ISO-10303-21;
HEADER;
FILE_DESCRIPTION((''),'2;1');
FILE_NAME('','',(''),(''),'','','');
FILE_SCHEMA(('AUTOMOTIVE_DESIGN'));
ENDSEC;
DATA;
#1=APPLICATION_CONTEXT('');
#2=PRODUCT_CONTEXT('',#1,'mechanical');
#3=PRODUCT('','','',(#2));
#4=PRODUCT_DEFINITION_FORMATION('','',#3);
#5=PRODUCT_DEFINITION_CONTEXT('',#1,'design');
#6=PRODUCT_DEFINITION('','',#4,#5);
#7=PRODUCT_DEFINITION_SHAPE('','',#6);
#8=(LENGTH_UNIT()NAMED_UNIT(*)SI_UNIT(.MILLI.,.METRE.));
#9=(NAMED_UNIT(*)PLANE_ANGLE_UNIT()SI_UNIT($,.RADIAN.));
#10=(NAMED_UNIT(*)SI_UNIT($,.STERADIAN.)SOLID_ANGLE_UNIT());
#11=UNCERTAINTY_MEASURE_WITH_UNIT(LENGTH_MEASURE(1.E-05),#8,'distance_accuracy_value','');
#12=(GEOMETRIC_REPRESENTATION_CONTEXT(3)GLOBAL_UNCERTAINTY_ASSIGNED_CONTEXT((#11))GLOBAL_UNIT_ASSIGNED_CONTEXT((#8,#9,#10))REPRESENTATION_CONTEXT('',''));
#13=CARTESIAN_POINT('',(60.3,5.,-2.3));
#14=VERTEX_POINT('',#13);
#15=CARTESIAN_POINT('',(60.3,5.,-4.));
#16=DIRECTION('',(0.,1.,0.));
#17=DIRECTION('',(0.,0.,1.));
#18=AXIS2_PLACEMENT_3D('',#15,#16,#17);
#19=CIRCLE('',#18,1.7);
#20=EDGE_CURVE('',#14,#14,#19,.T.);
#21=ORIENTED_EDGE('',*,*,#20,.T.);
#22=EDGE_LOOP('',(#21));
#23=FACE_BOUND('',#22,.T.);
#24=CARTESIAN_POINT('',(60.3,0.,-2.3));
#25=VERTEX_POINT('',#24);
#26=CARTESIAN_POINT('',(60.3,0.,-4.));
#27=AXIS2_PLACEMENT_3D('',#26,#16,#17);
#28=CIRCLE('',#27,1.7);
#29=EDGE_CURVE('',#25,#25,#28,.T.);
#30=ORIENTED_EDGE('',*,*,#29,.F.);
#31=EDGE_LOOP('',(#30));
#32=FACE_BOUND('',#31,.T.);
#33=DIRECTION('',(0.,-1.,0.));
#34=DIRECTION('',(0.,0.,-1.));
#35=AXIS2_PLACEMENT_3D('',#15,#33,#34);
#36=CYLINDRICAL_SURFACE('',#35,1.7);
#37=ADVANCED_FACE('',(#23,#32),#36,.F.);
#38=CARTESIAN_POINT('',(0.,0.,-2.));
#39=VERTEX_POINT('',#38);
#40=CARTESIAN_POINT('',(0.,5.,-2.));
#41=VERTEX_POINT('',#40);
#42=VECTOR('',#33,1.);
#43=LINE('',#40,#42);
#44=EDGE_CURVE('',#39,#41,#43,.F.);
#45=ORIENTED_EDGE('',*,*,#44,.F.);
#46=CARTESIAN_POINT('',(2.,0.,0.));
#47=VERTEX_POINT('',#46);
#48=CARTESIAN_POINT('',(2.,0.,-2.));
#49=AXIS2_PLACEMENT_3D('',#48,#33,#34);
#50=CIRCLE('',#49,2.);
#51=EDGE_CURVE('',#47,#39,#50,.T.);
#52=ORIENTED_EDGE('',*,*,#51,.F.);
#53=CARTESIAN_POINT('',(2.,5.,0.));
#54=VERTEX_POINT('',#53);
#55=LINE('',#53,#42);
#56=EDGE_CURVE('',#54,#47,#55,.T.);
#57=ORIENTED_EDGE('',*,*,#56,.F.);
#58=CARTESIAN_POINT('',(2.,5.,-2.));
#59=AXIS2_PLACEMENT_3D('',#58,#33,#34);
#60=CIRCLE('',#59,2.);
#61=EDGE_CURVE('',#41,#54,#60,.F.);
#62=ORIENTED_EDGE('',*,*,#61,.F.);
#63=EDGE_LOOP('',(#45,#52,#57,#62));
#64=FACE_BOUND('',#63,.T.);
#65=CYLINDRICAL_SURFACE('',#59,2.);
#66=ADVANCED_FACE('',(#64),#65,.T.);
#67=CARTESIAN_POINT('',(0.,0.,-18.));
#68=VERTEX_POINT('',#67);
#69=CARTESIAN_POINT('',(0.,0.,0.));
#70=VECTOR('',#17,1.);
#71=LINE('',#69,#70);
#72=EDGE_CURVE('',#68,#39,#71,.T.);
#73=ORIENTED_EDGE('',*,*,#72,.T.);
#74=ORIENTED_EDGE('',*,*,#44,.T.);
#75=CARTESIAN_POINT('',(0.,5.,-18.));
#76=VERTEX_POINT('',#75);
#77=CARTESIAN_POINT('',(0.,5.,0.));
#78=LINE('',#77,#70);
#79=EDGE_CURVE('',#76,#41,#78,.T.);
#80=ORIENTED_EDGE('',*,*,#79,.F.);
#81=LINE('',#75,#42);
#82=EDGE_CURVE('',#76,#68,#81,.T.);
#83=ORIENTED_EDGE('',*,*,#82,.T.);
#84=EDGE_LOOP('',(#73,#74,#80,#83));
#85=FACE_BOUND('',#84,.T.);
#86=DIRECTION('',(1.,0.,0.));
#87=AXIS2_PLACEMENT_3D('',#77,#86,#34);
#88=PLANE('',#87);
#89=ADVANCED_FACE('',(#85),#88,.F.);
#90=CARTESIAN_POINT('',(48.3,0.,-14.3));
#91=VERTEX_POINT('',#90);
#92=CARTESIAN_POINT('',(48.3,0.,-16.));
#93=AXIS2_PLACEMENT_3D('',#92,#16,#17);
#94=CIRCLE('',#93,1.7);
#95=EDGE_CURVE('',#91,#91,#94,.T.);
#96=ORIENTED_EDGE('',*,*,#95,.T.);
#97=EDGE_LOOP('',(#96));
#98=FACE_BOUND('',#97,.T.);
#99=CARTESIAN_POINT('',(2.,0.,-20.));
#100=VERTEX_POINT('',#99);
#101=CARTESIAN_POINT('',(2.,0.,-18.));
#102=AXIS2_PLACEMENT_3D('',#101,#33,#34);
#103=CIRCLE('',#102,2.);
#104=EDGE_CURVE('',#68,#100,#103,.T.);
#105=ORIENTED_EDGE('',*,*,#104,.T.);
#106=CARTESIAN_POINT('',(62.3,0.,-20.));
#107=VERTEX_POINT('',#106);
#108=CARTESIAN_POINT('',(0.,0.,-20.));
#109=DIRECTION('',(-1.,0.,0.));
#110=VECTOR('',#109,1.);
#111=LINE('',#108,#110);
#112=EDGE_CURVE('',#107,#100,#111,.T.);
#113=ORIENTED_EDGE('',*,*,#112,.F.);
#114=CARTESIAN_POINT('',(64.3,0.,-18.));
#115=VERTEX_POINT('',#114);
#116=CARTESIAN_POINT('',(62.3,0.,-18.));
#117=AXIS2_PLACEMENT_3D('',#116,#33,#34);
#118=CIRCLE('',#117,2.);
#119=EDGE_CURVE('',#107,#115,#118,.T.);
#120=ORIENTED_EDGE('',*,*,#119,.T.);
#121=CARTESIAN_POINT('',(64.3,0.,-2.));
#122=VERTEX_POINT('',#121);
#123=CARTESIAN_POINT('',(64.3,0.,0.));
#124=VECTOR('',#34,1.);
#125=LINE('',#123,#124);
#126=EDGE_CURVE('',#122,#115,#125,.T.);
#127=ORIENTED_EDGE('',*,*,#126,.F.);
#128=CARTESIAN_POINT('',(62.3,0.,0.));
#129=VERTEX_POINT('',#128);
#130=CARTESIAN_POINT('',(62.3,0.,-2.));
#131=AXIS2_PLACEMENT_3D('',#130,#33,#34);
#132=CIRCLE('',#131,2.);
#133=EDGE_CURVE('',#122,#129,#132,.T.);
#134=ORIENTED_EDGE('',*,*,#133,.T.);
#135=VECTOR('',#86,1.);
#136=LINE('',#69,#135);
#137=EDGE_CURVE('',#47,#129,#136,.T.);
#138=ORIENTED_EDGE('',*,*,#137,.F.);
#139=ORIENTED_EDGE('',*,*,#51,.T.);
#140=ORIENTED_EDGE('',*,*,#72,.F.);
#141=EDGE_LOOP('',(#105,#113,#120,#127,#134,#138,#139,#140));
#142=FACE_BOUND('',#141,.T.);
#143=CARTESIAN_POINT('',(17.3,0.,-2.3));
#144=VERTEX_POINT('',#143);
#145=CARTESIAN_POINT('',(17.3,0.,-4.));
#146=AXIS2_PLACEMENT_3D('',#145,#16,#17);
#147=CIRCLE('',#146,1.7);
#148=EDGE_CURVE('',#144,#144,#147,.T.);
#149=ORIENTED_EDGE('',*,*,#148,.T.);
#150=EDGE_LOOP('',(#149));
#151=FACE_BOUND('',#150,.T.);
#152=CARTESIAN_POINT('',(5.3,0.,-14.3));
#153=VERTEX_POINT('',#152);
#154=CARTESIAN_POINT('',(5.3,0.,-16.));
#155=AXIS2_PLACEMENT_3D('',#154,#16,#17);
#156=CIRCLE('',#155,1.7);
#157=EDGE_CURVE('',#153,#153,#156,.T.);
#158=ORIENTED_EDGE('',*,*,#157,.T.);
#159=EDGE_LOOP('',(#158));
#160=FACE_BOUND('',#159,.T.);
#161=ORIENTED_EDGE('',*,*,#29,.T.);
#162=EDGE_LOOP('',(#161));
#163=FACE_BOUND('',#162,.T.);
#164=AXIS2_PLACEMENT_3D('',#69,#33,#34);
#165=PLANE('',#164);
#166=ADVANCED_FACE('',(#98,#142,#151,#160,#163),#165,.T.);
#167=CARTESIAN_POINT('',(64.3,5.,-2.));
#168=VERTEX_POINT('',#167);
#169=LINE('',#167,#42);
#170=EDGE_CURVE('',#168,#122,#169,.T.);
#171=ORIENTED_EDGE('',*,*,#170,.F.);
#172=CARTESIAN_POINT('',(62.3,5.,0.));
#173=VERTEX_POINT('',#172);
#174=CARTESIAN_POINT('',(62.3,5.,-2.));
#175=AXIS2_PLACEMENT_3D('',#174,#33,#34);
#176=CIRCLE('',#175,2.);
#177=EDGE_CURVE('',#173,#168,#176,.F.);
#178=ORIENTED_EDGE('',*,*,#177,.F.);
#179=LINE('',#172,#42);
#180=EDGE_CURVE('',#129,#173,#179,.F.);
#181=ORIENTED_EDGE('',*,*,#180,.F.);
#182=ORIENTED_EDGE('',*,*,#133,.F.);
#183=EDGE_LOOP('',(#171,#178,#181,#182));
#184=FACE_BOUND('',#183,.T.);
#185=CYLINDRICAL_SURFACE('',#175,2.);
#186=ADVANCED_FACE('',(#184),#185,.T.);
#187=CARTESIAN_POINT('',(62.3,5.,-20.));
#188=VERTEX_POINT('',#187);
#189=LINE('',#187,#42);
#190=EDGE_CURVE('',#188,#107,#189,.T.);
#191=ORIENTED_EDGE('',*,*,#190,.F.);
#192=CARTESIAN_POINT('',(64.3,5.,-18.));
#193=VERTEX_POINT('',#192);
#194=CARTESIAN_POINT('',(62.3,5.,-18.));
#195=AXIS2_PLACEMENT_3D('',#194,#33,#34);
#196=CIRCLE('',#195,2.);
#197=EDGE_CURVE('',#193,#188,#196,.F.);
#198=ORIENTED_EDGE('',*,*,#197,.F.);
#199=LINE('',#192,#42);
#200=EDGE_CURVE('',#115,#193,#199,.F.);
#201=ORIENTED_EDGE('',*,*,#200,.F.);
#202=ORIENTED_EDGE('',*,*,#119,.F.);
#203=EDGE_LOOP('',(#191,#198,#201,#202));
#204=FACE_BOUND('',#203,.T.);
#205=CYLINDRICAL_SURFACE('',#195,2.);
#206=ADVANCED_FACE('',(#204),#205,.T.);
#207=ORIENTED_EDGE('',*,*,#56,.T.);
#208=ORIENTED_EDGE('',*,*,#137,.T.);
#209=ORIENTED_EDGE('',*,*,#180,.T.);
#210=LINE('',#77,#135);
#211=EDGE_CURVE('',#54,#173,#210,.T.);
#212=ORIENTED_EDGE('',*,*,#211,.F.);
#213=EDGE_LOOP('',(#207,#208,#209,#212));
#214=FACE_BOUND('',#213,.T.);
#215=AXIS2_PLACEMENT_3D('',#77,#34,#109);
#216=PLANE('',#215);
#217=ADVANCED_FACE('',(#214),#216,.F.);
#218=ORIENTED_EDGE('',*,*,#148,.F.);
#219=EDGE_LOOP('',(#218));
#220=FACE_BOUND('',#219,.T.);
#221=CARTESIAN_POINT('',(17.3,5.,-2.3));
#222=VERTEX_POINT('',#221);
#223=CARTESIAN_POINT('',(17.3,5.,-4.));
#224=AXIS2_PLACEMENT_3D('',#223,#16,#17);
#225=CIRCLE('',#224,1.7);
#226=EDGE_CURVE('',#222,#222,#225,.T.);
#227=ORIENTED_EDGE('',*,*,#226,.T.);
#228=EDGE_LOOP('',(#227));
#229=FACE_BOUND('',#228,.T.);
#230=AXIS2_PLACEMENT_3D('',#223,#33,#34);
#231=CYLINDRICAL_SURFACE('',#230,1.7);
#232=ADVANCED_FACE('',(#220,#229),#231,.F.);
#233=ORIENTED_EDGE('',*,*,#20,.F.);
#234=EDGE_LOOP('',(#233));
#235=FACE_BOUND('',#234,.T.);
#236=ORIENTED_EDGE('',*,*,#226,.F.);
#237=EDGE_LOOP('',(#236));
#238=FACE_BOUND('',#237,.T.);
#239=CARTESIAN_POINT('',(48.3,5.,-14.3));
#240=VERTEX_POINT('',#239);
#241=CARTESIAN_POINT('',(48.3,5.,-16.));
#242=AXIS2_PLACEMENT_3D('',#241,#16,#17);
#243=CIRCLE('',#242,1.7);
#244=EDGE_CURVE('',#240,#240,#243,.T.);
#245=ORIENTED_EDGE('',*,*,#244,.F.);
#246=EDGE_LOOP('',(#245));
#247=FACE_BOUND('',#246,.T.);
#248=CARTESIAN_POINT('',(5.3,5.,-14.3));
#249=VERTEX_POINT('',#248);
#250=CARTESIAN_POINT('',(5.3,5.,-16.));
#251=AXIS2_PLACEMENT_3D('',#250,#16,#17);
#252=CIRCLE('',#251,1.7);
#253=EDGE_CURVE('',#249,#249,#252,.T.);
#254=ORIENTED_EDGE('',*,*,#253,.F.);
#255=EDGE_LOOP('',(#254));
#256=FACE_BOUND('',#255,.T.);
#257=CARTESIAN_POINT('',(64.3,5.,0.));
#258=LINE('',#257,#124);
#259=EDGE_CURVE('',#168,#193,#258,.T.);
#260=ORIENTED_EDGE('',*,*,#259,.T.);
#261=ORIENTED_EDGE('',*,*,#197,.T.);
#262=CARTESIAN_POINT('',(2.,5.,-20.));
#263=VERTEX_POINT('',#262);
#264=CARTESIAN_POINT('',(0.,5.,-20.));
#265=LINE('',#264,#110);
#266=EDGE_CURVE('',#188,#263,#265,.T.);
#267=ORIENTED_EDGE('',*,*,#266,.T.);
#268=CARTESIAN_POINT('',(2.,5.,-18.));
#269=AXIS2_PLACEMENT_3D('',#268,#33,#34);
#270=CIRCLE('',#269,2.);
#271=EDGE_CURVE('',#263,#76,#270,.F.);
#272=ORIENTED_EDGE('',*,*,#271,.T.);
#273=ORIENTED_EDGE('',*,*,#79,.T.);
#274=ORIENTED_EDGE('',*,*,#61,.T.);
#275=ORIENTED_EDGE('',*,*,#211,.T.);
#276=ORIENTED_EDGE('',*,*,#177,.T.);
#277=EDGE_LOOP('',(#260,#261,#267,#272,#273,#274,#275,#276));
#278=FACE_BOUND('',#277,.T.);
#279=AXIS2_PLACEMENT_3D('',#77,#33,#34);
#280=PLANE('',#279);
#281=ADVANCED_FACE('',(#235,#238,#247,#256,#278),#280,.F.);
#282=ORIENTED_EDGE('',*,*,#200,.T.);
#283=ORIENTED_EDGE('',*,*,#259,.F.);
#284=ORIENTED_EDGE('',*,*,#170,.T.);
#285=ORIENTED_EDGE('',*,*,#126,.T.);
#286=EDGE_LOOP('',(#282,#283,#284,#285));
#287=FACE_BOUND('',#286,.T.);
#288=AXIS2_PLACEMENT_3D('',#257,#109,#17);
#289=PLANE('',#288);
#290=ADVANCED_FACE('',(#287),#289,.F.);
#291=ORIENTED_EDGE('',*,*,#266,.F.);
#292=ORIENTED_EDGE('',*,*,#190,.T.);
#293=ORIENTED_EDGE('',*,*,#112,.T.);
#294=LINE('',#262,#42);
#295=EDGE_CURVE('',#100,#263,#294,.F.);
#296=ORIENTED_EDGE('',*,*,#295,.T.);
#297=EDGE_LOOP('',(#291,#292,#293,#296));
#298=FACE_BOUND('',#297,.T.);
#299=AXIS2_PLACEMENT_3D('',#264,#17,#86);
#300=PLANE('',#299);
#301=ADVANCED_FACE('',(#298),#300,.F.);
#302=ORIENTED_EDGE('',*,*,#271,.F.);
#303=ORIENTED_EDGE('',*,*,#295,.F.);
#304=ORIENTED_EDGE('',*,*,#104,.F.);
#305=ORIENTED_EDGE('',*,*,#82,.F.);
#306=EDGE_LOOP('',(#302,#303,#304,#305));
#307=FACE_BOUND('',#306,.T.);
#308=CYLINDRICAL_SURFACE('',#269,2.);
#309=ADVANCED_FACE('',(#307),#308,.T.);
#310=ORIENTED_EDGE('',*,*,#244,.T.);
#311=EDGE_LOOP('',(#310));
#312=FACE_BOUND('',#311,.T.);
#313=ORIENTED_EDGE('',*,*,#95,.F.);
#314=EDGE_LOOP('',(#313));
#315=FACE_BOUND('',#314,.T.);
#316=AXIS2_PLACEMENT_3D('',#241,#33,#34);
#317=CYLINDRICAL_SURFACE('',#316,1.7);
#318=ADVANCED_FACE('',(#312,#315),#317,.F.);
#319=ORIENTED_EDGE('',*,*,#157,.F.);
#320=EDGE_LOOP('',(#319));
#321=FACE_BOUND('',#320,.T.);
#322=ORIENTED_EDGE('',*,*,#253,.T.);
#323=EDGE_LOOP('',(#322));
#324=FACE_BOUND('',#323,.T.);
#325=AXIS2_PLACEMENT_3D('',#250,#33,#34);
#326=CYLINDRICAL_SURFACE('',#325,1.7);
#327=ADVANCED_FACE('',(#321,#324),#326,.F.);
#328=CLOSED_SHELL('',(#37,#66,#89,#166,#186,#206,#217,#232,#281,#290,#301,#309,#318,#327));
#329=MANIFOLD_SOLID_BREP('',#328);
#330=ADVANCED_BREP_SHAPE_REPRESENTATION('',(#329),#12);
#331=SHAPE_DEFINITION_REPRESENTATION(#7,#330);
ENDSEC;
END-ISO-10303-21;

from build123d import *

# Parameters (mm, degrees)
SKETCH_1_W      = 64.3
SKETCH_1_H      = 20
SKETCH_1_R      = 1.7
EXTRUDE_1_DEPTH = 5
FILLET_1_R      = 2


with BuildPart() as part:
    # 草图1 → 凸台-拉伸1 (new body)
    with BuildSketch(Plane(origin=(0, 0, 0), x_dir=(1, 0, 0), z_dir=(0, 1, 0))):
        with Locations((32.15, 10)):
            Rectangle(SKETCH_1_W, SKETCH_1_H)
        with Locations(Location((5.3, 16, 0), (0, 0, 270))):
            Circle(SKETCH_1_R, mode=Mode.SUBTRACT)
        with Locations(Location((17.3, 4, 0), (0, 0, 270))):
            Circle(SKETCH_1_R, mode=Mode.SUBTRACT)
        with Locations(Location((48.3, 16, 0), (0, 0, 270))):
            Circle(SKETCH_1_R, mode=Mode.SUBTRACT)
        with Locations(Location((60.3, 4, 0), (0, 0, 270))):
            Circle(SKETCH_1_R, mode=Mode.SUBTRACT)
    extrude(amount=EXTRUDE_1_DEPTH)

    # 圆角1
    fillet_1_edges = [part.edges().sort_by_distance(p)[0] for p in [
        (0, 2.5, -20),
        (64.3, 2.5, -20),
        (64.3, 2.5, 0),
        (0, 2.5, 0),
    ]]
    fillet(fillet_1_edges, radius=FILLET_1_R)


solid = part.part
